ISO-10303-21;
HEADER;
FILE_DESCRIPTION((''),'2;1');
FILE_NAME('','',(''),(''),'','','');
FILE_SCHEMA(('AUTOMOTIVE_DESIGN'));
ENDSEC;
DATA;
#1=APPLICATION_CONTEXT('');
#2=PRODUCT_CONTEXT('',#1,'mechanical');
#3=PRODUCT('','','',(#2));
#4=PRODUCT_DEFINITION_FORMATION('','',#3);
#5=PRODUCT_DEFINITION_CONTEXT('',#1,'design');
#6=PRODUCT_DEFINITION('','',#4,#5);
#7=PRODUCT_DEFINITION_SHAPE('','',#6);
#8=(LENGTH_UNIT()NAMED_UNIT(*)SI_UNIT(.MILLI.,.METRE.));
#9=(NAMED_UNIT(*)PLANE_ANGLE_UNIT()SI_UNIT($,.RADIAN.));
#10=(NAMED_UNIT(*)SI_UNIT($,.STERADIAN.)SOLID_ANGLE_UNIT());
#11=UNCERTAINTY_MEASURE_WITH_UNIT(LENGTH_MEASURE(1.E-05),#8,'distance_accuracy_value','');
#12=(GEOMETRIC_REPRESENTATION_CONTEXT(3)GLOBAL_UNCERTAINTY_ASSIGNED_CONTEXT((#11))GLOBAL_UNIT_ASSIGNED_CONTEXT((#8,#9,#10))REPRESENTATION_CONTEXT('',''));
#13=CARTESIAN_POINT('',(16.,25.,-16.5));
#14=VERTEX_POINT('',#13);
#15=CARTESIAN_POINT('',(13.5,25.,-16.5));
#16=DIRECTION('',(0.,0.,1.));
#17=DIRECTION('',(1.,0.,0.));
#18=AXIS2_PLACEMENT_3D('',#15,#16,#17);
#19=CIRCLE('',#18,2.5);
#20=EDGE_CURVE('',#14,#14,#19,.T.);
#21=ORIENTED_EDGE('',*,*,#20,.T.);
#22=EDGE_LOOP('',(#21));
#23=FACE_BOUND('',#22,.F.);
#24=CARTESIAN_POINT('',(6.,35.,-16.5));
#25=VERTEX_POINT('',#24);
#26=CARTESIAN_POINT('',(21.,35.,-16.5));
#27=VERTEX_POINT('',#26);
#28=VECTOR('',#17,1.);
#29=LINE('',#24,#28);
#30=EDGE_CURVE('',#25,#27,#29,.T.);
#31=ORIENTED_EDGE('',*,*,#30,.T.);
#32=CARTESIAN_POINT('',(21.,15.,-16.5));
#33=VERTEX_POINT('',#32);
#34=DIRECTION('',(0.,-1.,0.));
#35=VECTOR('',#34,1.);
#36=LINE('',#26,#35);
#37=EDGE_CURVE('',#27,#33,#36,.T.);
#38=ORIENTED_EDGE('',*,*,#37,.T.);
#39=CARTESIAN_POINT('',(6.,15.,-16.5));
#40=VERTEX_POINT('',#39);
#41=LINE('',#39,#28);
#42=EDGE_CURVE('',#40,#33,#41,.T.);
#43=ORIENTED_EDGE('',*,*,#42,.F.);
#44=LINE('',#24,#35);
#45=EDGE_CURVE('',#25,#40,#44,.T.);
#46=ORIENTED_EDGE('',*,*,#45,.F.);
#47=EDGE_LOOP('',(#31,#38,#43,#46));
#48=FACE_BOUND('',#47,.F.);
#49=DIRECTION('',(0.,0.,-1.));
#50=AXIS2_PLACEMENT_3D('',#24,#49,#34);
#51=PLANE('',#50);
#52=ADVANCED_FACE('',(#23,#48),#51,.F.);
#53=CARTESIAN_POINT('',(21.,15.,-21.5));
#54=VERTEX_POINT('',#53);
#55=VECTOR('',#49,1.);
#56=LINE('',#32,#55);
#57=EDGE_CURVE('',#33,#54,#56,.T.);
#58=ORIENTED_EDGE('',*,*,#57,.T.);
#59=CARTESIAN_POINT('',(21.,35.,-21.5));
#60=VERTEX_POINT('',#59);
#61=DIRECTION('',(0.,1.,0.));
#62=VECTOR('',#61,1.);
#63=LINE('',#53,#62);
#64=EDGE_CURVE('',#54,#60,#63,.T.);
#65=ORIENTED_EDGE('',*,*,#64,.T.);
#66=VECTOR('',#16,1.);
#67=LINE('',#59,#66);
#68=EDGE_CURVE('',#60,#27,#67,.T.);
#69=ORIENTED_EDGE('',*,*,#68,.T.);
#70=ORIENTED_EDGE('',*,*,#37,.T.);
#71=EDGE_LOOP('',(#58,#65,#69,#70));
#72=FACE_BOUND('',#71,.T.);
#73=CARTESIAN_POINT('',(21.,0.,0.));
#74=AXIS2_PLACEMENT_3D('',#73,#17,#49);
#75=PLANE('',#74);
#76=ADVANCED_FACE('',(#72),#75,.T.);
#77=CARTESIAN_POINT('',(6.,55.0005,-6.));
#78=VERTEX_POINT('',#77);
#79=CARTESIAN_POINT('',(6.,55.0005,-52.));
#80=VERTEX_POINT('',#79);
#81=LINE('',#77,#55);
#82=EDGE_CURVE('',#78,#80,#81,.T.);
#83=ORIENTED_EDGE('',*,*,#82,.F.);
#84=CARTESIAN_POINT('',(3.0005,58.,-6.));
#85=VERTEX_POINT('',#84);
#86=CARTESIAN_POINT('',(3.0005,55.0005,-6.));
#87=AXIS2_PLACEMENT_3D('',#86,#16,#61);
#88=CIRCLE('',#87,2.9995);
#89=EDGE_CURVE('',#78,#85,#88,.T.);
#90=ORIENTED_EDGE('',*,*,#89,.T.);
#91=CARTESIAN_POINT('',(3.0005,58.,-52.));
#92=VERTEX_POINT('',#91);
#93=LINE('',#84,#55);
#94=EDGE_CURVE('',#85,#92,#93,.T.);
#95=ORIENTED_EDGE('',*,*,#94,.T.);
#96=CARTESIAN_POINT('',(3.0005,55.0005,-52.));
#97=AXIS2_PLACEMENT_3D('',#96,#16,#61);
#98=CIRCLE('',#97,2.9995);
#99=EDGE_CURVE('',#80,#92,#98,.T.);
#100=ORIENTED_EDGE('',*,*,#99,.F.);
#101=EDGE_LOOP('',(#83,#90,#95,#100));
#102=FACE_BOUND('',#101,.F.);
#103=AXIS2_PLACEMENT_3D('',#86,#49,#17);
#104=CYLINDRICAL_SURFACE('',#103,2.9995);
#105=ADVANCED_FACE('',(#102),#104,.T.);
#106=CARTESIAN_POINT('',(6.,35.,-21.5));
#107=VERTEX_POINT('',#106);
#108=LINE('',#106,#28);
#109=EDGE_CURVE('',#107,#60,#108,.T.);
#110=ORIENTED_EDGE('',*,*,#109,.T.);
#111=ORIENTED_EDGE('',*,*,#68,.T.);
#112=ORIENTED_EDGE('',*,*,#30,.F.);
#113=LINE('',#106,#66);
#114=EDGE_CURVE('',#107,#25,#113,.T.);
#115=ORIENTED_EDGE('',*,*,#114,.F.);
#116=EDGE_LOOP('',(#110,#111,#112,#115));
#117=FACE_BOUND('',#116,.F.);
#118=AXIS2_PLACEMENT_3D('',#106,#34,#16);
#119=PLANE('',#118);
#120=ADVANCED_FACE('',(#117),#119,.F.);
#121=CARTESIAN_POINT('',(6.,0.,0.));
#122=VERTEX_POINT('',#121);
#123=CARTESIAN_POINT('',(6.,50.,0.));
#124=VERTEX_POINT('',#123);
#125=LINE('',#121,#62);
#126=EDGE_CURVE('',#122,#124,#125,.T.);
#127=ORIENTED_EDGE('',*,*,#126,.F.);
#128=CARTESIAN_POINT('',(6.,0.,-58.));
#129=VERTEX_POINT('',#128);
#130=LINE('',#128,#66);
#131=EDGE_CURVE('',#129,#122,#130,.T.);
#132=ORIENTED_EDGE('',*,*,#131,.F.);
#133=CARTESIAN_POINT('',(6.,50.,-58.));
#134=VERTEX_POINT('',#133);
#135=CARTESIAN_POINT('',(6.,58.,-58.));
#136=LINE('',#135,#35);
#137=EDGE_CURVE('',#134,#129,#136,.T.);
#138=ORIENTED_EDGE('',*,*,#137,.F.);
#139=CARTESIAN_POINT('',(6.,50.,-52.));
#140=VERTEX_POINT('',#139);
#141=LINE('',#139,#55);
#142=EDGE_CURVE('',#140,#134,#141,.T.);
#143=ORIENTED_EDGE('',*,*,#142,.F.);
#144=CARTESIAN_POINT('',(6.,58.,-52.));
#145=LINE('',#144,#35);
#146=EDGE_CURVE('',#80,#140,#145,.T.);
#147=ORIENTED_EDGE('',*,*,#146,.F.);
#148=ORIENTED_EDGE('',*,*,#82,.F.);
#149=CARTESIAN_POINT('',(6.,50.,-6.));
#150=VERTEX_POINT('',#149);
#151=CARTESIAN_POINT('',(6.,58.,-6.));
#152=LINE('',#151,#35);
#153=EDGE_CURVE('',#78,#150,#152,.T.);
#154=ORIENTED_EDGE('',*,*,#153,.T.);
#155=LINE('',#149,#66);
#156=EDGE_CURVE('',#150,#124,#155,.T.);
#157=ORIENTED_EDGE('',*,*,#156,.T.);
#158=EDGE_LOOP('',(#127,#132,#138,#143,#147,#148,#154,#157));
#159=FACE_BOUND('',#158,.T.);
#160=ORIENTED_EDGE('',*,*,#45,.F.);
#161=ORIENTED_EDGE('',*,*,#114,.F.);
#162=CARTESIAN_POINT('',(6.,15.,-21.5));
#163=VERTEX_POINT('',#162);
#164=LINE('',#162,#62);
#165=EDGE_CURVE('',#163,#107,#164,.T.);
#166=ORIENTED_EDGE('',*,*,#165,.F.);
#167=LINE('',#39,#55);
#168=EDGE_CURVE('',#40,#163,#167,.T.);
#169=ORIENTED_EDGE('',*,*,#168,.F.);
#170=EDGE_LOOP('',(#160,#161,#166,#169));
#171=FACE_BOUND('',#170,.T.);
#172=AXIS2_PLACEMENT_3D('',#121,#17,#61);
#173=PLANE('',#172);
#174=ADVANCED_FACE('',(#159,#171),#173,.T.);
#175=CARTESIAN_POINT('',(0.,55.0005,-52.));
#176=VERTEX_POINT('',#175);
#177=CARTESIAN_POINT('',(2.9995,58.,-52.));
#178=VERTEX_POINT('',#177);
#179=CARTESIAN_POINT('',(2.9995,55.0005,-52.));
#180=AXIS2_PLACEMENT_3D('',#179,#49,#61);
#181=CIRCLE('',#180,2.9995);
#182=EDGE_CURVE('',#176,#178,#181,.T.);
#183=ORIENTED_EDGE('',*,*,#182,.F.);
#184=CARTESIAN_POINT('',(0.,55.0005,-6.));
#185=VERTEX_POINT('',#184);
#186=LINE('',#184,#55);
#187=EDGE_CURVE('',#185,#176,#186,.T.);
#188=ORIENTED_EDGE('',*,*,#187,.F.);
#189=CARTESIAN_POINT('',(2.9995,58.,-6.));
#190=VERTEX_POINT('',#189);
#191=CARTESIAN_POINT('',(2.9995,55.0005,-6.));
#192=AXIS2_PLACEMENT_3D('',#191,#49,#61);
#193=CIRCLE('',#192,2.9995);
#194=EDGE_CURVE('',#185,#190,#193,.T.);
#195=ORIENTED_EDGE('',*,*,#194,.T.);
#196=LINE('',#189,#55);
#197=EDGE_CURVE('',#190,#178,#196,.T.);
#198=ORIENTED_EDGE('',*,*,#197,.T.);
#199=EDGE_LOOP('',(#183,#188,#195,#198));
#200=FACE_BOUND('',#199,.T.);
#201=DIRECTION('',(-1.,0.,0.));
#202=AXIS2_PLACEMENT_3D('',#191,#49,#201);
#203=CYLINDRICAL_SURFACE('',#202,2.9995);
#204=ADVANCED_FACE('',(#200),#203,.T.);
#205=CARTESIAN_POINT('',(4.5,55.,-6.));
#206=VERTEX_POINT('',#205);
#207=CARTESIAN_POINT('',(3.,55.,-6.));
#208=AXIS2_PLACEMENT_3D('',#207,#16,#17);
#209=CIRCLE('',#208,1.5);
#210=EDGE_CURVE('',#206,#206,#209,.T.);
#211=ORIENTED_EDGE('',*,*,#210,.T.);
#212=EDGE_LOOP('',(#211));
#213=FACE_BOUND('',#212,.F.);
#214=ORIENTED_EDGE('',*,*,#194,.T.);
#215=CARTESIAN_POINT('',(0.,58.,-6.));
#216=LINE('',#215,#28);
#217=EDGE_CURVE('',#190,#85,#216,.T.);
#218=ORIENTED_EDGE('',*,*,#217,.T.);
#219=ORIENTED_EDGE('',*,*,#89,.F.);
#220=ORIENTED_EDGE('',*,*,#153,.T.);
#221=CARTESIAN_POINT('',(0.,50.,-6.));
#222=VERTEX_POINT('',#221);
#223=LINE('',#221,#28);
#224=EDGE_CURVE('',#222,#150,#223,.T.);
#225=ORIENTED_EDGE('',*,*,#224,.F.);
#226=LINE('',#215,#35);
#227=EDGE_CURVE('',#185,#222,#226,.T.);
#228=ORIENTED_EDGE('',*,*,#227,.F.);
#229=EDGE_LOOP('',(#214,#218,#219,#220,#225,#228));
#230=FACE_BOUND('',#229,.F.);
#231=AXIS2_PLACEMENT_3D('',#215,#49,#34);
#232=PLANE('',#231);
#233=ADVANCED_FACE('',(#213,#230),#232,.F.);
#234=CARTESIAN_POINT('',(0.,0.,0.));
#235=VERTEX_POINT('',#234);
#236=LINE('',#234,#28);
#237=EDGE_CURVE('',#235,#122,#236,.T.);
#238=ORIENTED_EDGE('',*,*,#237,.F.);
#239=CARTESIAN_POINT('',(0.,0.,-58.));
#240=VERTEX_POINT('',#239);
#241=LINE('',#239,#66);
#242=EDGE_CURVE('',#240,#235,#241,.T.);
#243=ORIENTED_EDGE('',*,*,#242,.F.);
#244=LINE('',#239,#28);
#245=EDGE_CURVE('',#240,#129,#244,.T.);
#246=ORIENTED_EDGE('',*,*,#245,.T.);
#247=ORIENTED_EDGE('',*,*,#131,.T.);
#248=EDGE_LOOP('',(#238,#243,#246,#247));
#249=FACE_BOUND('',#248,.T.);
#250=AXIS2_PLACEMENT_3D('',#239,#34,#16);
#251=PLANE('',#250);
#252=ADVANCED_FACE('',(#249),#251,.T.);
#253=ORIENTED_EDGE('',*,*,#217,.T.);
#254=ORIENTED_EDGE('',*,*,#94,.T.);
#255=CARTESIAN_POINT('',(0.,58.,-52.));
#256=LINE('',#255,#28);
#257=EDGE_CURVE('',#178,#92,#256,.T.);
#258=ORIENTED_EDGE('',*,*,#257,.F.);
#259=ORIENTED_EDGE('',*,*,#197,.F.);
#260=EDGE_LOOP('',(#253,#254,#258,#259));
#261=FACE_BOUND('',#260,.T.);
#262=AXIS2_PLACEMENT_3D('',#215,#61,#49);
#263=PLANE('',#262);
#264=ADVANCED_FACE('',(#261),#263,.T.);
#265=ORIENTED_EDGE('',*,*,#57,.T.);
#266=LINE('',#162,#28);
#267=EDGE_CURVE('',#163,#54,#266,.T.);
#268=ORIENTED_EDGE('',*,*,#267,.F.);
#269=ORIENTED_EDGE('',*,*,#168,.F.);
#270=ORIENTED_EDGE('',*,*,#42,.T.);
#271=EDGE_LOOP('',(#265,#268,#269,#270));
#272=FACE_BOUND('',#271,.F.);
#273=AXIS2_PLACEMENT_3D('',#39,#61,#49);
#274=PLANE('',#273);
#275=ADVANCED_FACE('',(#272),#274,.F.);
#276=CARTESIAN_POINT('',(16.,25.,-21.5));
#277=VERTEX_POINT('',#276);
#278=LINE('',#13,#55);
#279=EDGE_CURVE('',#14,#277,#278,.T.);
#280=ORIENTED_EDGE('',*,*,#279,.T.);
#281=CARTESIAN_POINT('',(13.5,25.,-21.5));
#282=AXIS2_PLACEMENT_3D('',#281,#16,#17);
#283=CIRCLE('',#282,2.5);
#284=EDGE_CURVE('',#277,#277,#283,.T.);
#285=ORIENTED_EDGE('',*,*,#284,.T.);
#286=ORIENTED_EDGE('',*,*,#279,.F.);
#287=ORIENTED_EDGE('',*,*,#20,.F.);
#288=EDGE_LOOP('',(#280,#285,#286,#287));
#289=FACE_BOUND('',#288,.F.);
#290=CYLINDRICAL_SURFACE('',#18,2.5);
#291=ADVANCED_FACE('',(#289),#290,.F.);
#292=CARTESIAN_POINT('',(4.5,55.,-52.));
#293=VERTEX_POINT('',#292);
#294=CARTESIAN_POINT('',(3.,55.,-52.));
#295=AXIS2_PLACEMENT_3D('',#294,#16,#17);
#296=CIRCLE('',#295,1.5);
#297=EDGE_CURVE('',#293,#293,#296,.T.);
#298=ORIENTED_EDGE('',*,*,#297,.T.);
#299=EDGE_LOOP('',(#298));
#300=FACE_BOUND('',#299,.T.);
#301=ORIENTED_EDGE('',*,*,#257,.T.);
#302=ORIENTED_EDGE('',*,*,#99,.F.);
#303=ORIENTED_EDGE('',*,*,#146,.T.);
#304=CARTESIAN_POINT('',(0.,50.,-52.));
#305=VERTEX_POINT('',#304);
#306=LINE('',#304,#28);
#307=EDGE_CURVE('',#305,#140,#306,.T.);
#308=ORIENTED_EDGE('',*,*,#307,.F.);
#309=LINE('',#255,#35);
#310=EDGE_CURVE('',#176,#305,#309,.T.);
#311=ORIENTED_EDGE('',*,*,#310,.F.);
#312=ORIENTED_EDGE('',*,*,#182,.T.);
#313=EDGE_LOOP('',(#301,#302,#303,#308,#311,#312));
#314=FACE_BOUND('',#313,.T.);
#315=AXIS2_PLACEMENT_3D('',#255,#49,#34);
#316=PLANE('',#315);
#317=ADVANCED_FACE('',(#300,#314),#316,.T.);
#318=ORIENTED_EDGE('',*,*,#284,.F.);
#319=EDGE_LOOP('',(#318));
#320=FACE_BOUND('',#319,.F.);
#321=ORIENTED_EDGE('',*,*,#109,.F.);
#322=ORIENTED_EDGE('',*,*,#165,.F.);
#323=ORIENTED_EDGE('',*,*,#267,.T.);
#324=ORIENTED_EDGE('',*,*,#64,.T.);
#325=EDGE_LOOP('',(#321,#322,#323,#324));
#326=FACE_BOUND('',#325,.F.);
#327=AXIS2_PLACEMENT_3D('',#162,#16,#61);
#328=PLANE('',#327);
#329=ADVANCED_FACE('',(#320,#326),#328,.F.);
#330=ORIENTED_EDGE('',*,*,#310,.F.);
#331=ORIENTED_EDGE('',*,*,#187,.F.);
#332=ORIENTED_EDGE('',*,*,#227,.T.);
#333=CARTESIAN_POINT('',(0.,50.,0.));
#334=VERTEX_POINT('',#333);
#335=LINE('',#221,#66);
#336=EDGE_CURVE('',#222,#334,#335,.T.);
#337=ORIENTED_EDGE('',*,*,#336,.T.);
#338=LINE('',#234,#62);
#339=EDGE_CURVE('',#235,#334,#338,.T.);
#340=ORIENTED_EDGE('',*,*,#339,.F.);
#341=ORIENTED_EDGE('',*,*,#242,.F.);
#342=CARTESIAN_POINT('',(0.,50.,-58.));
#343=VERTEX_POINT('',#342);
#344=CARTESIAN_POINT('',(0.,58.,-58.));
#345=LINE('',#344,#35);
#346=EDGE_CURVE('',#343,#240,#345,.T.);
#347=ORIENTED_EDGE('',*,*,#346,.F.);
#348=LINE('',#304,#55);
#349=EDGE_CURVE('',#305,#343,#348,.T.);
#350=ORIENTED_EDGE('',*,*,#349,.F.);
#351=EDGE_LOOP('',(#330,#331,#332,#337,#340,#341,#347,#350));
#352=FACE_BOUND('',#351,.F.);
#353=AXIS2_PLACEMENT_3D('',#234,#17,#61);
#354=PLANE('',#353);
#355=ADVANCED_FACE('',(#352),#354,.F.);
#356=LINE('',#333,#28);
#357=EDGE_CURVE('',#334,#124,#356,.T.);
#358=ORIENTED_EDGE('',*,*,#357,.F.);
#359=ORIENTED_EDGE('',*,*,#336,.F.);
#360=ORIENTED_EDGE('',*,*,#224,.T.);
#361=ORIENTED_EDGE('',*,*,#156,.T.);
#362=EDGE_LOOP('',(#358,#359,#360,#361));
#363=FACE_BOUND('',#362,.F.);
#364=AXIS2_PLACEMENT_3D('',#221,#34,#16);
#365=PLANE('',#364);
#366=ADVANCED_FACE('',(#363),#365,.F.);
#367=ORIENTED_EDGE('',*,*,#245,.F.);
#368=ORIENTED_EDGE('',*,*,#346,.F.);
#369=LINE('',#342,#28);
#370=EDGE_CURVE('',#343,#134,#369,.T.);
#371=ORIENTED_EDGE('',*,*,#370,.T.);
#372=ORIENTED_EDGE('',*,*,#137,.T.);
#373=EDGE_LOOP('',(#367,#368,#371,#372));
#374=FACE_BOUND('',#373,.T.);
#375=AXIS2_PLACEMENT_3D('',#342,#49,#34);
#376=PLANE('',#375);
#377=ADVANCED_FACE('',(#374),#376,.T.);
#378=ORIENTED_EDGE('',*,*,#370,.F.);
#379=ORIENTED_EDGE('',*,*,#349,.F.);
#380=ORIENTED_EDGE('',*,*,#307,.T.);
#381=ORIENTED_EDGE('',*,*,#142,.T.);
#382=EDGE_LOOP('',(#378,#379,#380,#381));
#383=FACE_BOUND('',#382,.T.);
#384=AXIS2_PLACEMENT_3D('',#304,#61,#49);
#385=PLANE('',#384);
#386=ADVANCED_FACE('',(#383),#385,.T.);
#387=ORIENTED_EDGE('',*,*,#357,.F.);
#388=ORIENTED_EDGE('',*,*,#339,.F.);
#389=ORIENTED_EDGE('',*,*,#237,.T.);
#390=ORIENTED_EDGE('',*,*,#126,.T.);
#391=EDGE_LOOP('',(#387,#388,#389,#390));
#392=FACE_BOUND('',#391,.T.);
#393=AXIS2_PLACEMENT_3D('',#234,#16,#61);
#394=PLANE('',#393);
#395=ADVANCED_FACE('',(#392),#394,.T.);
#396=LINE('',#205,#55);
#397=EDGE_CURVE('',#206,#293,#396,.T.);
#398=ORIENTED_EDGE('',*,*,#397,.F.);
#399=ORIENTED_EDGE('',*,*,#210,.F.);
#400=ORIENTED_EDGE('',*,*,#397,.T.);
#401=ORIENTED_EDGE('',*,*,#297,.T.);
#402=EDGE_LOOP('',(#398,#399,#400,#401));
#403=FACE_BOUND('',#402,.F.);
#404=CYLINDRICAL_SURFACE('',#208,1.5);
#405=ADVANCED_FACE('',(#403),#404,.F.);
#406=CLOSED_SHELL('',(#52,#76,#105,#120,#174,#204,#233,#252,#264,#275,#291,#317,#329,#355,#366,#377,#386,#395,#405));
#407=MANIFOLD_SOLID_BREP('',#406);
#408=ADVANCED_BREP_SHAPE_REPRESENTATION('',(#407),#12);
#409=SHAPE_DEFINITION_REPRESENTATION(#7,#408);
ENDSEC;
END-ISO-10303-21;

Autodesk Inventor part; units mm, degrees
ref_plane "YZ Plane" through (0, 0, 0) normal (1, 0, 0) x (0, 1, 0)
ref_plane "XZ Plane" through (0, 0, 0) normal (0, 1, 0) x (-1, 0, 0)
ref_plane "XY Plane" through (0, 0, 0) normal (0, 0, 1) x (1, 0, 0)
sketch "Esquisse1" plane through (0, 0, 0) normal (1, 0, 0) x (0, 1, 0)
  line L0 (0, 0) -> (58, 0)
  line L1 (58, 0) -> (58, -58)
  line L2 (58, -58) -> (0, -58)
  line L3 (0, -58) -> (0, 0)
  line L4 (50, 0) -> (58, 0)
  line L5 (58, 0) -> (58, -6)
  line L6 (58, -6) -> (50, -6)
  line L7 (50, -6) -> (50, 0)
  line L8 (58, -52) -> (50, -52)
  line L9 (50, -52) -> (50, -58)
  line L10 (50, -58) -> (58, -58)
  line L11 (58, -58) -> (58, -52)
  dimension "d0" = 58
  dimension "d1" = 58
  dimension "d2" = 6
  dimension "d3" = 8
  dimension "d4" = 8
  dimension "d5" = 6
  dimension "d15" = 46
extrude "Extrusion1" add sketch "Esquisse1" along normal blind 6 contours L0 L7 L6 L1 L8 L9 L2 L3
sketch "Esquisse2" plane through (0, 50, -6) normal (0, 0, 1) x (1, 0, 0)
  circle A0 centre (3, 5) radius 1.5
  line L0 (6, 8) -> (6, 0) projected
  line L1 (0, 8) -> (0, 0) projected
  line L2 (0, 0) -> (6, 0) projected
  line L3 (0, 8) -> (6, 8) projected
  point P0 (0, -50)
  dimension "d8" = 3
  dimension "d9" = 6
  dimension "d10" = 8
  dimension "d11" = 3
  dimension "d32" = 3
extrude "Extrusion2" cut sketch "Esquisse2" against normal up to next contours A0
sketch "Esquisse3" plane through (6, 0, 0) normal (1, 0, 0) x (0, 0, -1)
  line L0 (16.5, 15) -> (21.5, 15)
  line L1 (21.5, 15) -> (21.5, 35)
  line L2 (21.5, 35) -> (16.5, 35)
  line L3 (16.5, 35) -> (16.5, 15)
  line L4 (0, 50) -> (0, 0) projected
  line L5 (0, 0) -> (58, 0) projected
  line L6 (6, 50) -> (0, 50) projected
  dimension "d16" = 5
  dimension "d17" = 20
  dimension "d18" = 16.5
  dimension "d19" = 15
  dimension "d20" = 50
  dimension "d21" = 58
extrude "Extrusion3" add sketch "Esquisse3" along normal blind 15
sketch "Esquisse4" plane through (6, 15, -16.5) normal (0, 0, 1) x (1, 0, 0)
  circle A0 centre (7.5, 10) radius 2.5
  line L0 (0, 20) -> (15, 20) projected
  line L1 (0, 0) -> (15, 0) projected
  line L2 (15, 20) -> (15, 0) projected
  line L3 (0, 35) -> (0, -15) projected
  point P0 (-6, -15)
  dimension "d24" = 5
  dimension "d25" = 20
  dimension "d26" = 15
  dimension "d27" = 7.5
  dimension "d28" = 10
extrude "Extrusion4" cut sketch "Esquisse4" against normal up to next contours A0
fillet "Congé1" radius 3 2 edges at (6, 58, -29) (0, 58, -29)
equation "\"d5\" = d2"
equation "\"d11\" = 0.5 * d9"
equation "\"d19\" = 0.5 * d20 - 0.5 * d17"
equation "\"d27\" = 0.5 * d26"
equation "\"d28\" = 0.5 * d25"
properties part number "membre_pince" material "Plastique PC/ABS"
